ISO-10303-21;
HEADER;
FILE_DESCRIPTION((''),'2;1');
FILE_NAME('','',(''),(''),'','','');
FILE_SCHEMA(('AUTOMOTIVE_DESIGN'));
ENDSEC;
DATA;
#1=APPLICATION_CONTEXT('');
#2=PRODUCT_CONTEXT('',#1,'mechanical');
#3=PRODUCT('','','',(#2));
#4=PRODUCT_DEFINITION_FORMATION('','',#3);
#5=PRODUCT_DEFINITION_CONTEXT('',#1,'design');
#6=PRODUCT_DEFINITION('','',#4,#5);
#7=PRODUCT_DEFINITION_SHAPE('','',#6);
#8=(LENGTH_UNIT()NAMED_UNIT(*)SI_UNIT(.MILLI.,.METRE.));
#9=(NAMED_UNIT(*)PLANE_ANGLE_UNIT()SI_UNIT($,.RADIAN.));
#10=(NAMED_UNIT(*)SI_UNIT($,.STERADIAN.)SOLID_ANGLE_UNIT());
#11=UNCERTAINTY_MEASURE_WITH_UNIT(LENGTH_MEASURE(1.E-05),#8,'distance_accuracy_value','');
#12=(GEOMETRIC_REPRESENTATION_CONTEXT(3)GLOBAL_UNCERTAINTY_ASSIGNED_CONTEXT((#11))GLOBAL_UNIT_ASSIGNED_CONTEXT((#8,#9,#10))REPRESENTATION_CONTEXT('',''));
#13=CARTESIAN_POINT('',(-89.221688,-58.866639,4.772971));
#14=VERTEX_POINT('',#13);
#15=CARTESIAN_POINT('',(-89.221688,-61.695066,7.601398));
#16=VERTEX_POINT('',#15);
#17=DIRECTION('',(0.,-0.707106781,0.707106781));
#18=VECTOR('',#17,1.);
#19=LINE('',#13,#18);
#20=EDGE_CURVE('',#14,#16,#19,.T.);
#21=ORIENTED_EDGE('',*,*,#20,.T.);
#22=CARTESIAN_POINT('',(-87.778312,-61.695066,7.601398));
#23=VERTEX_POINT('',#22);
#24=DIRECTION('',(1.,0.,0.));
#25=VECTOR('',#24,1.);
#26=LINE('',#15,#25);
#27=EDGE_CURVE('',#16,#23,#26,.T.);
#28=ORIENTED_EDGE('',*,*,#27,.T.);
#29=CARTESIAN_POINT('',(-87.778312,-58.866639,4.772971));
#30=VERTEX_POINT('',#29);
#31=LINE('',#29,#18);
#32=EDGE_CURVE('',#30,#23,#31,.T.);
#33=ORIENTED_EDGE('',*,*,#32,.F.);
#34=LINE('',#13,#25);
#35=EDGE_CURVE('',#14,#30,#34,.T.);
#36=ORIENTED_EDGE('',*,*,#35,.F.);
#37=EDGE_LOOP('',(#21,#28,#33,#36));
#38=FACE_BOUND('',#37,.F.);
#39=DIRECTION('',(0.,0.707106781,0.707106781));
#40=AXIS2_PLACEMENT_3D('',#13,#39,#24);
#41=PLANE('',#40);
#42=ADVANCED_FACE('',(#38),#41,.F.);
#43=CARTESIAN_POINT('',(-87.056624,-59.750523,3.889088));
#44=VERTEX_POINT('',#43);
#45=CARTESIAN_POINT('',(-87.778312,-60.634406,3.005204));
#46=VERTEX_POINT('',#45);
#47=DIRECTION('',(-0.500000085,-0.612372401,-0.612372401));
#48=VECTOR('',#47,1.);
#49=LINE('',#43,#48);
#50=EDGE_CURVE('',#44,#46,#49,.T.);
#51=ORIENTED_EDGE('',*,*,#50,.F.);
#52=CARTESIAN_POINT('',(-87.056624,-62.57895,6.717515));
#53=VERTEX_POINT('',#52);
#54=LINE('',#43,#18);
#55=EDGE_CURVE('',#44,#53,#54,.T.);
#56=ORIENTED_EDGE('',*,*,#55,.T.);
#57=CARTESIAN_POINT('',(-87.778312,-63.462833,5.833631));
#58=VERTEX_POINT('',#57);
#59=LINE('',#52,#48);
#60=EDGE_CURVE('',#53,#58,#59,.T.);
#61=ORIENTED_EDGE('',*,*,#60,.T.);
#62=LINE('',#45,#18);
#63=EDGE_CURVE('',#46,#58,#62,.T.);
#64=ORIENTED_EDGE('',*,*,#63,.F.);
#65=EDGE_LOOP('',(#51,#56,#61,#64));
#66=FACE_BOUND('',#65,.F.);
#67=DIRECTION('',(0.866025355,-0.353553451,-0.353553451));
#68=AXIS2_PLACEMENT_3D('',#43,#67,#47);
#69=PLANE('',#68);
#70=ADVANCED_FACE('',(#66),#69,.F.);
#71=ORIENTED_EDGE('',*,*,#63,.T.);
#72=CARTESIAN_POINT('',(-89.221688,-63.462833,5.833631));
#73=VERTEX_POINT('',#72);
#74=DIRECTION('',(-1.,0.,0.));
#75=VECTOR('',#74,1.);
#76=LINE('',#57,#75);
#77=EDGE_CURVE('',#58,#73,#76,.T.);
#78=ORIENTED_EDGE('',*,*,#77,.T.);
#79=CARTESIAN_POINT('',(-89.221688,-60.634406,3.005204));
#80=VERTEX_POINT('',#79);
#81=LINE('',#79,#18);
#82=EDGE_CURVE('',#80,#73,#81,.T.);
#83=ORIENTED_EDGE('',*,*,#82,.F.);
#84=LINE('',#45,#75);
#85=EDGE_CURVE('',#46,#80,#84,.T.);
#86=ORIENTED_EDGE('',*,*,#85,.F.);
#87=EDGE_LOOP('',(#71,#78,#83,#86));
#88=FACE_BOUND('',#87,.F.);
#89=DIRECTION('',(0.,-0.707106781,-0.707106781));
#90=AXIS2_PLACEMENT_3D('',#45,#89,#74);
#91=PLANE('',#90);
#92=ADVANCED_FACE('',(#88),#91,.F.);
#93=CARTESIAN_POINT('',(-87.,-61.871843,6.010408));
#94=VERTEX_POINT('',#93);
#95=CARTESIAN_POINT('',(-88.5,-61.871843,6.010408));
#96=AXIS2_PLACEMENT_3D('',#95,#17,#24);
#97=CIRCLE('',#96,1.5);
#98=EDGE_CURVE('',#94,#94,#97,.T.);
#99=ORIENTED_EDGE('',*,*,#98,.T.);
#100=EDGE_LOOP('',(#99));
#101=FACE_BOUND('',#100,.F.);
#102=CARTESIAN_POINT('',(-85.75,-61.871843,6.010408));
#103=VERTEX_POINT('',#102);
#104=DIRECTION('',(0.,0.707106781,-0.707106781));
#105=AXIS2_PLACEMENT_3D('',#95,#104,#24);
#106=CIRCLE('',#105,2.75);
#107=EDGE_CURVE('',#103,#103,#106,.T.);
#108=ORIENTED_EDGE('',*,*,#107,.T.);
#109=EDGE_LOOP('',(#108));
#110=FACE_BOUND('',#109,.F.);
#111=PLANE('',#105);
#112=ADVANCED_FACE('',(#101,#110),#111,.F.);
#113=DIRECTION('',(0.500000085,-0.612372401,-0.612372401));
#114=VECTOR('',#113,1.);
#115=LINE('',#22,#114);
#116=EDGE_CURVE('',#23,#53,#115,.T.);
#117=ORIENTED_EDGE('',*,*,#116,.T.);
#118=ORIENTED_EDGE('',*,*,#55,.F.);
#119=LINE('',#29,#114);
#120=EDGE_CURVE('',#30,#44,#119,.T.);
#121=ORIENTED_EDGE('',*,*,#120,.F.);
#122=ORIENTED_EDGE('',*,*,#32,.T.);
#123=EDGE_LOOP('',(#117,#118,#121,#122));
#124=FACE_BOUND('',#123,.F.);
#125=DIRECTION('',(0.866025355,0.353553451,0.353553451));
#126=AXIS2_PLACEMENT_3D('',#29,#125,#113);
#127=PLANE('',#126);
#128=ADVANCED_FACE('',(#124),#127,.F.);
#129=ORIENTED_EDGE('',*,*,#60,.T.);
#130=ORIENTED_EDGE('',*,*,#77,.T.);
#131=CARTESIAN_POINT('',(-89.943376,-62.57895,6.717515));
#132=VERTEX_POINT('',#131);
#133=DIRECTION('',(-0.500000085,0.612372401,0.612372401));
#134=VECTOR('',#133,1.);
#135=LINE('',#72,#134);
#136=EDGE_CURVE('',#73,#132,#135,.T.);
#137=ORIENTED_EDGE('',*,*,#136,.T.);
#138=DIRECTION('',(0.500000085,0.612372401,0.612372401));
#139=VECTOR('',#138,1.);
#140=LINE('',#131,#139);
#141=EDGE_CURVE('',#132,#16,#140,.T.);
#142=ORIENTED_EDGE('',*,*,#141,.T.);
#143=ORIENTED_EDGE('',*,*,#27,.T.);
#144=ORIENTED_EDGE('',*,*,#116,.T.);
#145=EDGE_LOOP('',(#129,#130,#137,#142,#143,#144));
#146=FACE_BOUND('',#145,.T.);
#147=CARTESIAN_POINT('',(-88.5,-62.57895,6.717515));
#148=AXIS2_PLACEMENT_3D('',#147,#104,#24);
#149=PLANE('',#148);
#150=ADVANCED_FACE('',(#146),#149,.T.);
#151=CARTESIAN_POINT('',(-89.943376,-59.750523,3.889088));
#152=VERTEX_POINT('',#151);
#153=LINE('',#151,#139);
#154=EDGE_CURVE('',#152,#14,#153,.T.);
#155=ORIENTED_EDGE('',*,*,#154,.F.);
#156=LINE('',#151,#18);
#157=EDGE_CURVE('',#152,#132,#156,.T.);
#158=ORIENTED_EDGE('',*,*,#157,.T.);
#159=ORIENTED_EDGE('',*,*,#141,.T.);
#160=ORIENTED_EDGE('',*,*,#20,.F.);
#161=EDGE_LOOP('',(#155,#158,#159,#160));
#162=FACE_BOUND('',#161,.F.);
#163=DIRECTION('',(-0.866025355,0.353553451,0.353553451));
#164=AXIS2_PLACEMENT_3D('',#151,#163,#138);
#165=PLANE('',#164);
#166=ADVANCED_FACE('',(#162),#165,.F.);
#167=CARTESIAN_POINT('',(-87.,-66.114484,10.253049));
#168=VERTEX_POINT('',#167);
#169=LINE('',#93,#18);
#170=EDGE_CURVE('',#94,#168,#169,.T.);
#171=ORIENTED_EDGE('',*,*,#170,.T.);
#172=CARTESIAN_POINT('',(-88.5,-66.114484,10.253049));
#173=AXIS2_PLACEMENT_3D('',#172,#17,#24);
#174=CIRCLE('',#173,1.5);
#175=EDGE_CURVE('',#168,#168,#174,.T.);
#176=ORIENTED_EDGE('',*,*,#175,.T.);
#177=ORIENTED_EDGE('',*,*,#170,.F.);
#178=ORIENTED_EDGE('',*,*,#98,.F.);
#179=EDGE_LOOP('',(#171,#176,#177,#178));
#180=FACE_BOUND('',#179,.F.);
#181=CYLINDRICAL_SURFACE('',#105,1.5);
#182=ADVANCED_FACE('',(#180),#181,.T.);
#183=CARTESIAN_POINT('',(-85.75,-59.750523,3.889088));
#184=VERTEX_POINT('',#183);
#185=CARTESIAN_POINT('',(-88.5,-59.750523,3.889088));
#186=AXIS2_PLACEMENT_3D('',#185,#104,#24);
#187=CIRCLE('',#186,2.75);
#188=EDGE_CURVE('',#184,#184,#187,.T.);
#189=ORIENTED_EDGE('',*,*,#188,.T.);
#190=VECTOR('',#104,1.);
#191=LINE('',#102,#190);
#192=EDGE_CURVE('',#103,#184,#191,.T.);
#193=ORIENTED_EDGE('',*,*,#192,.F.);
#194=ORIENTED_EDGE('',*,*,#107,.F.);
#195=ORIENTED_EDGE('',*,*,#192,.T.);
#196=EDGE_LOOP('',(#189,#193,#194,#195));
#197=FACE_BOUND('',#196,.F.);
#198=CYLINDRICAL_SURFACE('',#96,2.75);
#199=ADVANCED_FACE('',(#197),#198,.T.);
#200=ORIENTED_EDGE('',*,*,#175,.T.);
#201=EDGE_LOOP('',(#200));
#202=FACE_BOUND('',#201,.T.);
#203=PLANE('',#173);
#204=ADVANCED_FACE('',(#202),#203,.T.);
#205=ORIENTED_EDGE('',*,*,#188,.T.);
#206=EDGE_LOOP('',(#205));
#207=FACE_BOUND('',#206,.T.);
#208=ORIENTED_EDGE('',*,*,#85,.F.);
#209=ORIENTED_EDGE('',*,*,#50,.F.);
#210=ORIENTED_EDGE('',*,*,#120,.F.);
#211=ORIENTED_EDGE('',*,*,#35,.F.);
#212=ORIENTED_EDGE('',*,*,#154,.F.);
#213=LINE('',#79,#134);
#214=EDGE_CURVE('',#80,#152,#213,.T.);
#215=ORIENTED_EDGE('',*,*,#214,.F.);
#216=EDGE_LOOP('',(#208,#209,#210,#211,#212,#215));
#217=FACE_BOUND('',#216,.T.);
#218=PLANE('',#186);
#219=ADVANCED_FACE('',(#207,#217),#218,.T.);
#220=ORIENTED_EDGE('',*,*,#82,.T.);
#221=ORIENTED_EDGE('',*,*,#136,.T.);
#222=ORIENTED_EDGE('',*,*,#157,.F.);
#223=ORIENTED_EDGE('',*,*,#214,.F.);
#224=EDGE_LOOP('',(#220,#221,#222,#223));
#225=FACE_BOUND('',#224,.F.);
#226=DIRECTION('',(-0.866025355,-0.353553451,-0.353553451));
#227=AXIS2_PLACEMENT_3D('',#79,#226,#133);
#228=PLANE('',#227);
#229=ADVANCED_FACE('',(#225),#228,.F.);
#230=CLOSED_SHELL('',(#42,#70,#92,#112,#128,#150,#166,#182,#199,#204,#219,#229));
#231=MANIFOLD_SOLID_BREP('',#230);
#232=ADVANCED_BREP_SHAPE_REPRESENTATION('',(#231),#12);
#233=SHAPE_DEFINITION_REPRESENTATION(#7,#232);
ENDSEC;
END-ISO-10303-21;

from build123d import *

# Parameters (mm, degrees)
SKETCH036_R             = 2.75
PAD021_DEPTH            = 3
SKETCH037_R             = 1.5
PAD022_DEPTH            = 6
POCKET017_DEPTH         = 4
BODY010_PLACEMENT_ANGLE = 225


with BuildPart() as part:
    # Sketch036 → Pad021 (new body)
    with BuildSketch(Plane.XY):
        Circle(SKETCH036_R)
    extrude(amount=PAD021_DEPTH)

    # Sketch037 (on Face2 of Pad021) → Pad022 (join)
    with BuildSketch(Plane(origin=(0, 0, 0), x_dir=(1, 0, 0), z_dir=(0, 0, -1))):
        Circle(SKETCH037_R)
    extrude(amount=PAD022_DEPTH)

    # Sketch038 (on DatumPlane) → Pocket017 (cut)
    with BuildSketch(Plane.XY.offset(3)):
        Polygon((0.721688, -1.25), (1.443376, 0), (0.721688, 1.25), (-0.721688, 1.25), (-1.443376, 0), (-0.721688, -1.25), align=None)
    extrude(amount=-POCKET017_DEPTH, mode=Mode.SUBTRACT)


with BuildPart() as part_1:
    # Body010 placement: moved
    add(part.part.moved(Location((-88.5, -61.871843, 6.010408))).rotate(Axis((-88.5, -61.871843, 6.010408), (1, 0, 0)), BODY010_PLACEMENT_ANGLE))


solid = part_1.part
